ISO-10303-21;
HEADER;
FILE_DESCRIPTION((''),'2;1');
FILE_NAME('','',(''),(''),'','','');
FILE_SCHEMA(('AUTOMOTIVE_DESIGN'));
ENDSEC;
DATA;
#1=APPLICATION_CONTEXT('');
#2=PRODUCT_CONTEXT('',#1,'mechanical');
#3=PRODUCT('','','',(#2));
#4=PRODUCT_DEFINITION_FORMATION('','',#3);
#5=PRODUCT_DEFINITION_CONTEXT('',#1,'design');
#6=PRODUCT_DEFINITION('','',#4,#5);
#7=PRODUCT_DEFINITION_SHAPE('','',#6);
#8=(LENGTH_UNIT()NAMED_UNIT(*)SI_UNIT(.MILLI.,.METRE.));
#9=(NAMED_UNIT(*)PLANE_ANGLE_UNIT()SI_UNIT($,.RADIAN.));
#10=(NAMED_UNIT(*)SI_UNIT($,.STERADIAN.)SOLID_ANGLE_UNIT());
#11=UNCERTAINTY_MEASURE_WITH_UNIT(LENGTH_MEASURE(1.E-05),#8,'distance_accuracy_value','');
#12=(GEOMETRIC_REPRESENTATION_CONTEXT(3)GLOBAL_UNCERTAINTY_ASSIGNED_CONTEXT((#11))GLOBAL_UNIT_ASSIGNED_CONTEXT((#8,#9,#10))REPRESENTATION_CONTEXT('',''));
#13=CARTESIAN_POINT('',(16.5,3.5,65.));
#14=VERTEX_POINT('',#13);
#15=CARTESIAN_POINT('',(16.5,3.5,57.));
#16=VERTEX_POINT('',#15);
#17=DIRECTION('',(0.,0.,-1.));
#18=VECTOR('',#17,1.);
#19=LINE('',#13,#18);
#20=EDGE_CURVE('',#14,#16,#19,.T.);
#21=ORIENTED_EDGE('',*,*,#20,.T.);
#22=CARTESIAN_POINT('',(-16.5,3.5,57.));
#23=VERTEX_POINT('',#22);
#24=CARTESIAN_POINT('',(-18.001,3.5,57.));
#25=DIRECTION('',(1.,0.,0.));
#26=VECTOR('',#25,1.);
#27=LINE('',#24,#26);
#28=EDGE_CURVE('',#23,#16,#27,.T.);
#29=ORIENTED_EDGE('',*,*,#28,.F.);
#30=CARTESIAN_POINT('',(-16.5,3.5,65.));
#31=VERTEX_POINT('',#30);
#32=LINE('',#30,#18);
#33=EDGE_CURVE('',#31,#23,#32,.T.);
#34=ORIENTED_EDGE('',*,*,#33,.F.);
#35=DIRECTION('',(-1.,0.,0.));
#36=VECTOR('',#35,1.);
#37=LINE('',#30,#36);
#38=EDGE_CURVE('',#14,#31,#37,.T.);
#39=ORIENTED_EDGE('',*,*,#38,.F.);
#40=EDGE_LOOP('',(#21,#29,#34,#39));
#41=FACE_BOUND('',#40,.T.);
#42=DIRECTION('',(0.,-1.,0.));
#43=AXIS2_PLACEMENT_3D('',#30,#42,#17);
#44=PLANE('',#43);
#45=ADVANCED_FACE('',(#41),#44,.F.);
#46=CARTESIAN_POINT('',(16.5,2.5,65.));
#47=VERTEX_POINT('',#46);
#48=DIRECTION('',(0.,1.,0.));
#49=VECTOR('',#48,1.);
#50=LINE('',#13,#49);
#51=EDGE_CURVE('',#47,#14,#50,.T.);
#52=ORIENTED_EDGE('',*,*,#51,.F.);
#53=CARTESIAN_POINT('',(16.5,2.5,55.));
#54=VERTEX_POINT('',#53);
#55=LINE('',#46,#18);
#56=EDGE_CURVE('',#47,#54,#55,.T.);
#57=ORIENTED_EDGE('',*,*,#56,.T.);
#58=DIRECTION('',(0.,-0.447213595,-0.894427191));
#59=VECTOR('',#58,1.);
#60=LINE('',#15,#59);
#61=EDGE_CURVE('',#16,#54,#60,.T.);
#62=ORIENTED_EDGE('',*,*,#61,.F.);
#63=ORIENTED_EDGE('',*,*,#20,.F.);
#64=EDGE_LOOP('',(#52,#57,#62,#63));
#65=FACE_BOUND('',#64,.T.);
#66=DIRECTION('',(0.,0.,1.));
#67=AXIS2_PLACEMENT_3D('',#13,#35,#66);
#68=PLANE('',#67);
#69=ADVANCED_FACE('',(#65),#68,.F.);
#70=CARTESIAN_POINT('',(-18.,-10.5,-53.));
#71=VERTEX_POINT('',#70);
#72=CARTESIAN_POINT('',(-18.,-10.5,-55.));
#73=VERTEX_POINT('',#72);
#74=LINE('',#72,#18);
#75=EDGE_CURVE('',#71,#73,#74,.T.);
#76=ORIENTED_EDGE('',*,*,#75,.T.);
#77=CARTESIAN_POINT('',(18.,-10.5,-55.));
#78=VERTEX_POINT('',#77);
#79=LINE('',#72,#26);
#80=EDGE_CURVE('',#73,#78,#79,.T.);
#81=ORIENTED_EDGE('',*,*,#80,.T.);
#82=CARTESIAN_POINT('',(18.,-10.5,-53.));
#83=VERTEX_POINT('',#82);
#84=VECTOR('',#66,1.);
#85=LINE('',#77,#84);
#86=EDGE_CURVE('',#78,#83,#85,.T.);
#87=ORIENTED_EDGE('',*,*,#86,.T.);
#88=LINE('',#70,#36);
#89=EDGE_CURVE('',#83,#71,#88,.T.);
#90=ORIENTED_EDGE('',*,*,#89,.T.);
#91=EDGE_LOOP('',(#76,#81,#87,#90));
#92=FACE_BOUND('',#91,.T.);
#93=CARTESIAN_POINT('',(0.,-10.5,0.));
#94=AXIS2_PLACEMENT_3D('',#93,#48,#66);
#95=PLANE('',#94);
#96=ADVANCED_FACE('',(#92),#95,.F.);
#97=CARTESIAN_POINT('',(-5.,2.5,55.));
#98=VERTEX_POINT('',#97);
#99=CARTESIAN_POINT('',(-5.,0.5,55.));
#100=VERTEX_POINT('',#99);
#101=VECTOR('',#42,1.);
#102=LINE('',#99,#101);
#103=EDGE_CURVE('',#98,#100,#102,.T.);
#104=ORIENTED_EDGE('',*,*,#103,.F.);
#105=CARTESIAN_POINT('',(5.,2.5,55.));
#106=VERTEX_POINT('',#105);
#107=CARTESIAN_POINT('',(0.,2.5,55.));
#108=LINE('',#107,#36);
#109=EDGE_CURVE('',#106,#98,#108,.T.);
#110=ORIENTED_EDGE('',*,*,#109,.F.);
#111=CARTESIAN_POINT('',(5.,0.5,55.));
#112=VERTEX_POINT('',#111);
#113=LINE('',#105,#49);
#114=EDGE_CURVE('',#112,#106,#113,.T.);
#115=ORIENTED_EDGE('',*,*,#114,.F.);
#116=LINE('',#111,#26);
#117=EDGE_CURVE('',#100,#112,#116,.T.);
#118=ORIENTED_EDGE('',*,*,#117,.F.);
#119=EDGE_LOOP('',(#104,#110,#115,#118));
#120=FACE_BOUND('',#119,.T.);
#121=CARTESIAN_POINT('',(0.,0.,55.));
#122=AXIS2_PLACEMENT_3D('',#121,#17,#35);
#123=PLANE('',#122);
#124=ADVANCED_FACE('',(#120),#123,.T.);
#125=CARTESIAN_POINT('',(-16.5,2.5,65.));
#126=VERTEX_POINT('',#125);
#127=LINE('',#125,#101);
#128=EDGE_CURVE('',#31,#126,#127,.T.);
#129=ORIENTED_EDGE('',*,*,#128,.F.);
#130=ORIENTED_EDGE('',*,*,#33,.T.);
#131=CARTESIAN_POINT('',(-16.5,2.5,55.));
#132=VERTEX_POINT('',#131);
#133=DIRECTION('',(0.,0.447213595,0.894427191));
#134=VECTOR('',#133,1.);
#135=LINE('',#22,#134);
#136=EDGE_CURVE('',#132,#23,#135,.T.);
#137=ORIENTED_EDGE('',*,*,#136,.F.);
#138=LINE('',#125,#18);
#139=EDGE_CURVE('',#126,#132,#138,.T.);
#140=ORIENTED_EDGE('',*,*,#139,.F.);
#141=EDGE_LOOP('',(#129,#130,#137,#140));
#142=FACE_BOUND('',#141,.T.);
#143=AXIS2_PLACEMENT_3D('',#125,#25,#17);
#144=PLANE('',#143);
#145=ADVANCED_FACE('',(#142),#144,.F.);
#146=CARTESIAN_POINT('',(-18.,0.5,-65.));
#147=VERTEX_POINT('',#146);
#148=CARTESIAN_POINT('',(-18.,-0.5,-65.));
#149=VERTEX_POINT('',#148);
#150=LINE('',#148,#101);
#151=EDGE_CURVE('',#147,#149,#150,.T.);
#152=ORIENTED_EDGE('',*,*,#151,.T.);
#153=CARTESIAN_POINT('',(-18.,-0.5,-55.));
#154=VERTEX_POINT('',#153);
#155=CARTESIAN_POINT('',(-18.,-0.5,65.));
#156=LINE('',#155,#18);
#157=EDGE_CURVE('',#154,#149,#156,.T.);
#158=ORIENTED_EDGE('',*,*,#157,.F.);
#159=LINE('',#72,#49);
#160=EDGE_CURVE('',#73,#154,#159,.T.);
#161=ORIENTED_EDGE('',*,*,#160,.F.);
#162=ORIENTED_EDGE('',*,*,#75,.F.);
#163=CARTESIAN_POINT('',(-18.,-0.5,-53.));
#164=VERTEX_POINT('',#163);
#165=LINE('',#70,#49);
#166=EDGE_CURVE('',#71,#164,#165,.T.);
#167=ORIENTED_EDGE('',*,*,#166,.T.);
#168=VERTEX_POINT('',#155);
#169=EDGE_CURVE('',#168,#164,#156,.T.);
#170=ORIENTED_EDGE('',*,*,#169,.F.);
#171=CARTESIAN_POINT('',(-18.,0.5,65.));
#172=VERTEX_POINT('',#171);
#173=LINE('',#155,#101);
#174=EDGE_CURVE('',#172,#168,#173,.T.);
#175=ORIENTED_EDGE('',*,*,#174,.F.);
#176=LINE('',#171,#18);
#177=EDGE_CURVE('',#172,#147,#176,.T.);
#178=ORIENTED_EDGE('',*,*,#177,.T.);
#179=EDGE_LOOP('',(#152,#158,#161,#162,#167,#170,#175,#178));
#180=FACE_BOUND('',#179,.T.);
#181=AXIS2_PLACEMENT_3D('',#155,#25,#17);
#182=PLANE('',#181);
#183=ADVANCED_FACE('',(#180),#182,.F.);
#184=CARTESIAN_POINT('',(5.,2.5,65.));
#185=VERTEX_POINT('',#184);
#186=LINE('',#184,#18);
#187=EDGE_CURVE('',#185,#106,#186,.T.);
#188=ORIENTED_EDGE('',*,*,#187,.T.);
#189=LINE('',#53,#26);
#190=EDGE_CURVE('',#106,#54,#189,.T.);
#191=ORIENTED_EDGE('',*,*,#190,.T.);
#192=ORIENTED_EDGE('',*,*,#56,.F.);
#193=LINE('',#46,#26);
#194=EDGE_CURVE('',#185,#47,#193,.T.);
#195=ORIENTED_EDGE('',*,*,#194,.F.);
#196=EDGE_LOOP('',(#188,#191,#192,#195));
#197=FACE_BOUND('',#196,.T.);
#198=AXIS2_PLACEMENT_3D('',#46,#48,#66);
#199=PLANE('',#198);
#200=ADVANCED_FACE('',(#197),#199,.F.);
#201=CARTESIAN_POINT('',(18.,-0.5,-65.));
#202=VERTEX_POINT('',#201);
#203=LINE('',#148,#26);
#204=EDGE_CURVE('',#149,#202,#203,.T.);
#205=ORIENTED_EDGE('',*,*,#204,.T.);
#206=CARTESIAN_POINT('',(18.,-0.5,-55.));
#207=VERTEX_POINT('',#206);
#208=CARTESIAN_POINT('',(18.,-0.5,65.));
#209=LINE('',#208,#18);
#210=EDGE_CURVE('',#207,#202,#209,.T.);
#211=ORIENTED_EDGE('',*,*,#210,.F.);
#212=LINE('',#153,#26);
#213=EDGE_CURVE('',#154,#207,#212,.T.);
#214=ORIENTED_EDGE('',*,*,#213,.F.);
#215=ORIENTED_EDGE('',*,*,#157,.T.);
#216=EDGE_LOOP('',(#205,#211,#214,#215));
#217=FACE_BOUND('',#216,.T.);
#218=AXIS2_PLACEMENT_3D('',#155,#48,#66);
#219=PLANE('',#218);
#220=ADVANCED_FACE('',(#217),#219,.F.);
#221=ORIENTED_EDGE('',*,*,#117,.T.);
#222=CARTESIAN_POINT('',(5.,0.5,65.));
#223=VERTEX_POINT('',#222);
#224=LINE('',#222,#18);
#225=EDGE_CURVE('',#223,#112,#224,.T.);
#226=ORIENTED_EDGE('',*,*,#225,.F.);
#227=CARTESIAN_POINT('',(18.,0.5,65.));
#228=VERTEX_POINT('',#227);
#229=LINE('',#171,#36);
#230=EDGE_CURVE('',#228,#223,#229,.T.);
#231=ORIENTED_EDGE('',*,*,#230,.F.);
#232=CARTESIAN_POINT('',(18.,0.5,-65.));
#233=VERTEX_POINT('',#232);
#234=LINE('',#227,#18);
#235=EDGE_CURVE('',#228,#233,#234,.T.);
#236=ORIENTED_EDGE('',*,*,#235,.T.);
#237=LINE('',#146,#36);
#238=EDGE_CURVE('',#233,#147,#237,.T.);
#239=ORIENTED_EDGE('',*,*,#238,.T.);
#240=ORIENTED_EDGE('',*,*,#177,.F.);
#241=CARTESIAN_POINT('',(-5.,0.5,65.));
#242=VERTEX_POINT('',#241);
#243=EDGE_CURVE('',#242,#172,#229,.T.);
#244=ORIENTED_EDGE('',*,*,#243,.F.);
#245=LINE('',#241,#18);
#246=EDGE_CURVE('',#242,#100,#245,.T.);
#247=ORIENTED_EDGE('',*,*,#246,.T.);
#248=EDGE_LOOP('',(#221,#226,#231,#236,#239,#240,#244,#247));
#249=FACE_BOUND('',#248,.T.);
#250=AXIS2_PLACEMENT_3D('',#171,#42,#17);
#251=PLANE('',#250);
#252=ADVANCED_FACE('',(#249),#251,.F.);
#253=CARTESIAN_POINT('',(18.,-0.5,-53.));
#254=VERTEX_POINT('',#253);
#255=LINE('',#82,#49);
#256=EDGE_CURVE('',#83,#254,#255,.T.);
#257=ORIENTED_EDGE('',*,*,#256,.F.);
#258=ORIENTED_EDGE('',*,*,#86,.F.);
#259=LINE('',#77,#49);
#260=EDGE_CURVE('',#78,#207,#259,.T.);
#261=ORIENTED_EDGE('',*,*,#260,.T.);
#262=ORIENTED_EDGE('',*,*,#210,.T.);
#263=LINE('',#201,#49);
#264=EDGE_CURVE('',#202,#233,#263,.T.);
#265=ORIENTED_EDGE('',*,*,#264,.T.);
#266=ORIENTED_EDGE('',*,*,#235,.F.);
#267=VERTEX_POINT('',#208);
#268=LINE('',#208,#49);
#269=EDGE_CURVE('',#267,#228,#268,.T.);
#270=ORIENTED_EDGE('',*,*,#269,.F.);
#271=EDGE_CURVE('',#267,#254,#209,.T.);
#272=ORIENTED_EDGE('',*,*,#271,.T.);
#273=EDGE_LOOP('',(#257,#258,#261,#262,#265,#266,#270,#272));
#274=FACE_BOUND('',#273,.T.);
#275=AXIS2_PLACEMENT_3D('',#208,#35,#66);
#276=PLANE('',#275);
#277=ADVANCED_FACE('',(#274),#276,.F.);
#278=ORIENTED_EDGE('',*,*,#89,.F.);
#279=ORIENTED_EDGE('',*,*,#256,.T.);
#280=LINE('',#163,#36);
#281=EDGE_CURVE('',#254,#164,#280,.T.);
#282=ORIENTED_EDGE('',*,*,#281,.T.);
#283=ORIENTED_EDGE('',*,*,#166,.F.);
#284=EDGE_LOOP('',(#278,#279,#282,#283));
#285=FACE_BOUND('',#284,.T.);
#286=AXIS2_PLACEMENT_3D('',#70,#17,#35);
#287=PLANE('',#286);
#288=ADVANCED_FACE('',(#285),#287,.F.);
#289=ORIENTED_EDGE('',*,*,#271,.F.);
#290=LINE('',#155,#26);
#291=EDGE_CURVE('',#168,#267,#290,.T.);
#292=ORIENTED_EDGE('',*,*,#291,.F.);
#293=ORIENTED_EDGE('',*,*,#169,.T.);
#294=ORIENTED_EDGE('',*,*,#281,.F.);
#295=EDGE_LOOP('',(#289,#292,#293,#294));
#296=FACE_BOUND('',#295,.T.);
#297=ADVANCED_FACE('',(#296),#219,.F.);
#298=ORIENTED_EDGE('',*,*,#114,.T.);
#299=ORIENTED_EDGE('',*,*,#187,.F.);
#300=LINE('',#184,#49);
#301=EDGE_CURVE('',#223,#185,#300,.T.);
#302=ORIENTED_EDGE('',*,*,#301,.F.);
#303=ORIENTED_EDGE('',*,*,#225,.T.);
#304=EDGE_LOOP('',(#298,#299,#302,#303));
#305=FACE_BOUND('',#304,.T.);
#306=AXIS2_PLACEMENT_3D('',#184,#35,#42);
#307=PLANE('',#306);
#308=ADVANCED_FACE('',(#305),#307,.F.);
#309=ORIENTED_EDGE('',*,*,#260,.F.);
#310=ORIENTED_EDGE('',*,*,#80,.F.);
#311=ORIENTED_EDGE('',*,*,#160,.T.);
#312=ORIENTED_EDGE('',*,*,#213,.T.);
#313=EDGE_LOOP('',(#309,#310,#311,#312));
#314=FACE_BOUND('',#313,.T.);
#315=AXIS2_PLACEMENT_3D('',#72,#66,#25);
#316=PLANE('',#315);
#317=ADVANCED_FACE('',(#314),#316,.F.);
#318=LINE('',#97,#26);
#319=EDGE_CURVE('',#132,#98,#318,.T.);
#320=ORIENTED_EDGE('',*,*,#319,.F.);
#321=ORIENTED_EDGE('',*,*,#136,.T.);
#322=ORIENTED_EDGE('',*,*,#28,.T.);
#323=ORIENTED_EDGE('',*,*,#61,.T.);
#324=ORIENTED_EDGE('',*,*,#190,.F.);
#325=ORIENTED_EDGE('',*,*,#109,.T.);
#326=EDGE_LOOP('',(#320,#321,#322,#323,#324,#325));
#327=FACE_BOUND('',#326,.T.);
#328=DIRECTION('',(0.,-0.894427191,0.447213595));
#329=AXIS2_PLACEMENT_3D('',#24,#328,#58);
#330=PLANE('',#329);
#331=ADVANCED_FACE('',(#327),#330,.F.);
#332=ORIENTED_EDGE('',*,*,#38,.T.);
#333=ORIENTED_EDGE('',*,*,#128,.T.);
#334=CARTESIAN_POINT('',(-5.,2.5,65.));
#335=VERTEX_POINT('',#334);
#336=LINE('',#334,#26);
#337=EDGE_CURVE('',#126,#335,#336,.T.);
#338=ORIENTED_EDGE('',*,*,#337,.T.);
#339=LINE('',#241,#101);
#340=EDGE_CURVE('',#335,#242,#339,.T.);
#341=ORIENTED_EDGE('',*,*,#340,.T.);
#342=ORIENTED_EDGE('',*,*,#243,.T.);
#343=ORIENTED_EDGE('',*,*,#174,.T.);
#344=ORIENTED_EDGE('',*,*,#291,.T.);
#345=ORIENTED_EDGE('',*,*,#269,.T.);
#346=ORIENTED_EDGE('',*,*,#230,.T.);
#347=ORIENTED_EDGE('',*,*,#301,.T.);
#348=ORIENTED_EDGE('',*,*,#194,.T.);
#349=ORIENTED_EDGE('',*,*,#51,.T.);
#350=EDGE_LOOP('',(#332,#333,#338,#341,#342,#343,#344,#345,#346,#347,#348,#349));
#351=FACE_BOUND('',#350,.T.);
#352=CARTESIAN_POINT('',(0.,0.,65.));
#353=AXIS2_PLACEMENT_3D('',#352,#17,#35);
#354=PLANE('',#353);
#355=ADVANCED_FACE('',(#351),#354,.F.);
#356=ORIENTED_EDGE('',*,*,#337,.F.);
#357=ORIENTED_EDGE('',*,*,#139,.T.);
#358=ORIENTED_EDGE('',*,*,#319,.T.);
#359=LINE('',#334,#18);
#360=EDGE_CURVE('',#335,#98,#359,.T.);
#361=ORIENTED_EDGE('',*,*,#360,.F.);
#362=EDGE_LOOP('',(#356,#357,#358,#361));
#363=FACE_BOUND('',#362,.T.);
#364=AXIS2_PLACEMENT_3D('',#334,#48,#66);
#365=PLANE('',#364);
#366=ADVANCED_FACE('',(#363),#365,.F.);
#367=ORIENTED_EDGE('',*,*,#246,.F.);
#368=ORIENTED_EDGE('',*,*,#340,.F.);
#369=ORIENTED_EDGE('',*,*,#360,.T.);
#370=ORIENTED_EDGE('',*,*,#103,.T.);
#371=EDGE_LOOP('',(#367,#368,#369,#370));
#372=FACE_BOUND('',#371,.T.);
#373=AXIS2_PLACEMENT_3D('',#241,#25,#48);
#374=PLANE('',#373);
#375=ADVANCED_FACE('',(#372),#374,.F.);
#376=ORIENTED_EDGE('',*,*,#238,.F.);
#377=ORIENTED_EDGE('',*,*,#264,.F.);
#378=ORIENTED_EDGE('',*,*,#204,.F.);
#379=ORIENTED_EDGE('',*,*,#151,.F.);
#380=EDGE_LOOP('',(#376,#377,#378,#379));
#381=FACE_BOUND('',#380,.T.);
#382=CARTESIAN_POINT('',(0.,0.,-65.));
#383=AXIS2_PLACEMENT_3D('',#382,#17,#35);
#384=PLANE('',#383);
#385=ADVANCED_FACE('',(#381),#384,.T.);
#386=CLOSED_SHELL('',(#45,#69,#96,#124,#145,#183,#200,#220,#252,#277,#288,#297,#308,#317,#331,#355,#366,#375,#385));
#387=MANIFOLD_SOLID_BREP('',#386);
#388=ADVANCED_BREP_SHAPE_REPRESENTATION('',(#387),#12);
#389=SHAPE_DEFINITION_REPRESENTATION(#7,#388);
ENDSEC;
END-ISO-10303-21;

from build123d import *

# Parameters (mm, degrees)
SKETCH1_W           = 36
SKETCH1_H           = 1
BOSS_EXTRUDE1_DEPTH = 65
BOSS_EXTRUDE2_DEPTH = 5
SKETCH3_W           = 36
SKETCH3_H           = 2
BOSS_EXTRUDE3_DEPTH = 10
CUT_EXTRUDE1_REACH  = 76.334


with BuildPart() as part:
    # Sketch1 → Boss-Extrude1 (new, symmetric)
    with BuildSketch(Plane.XY):
        Rectangle(SKETCH1_W, SKETCH1_H)
    extrude(amount=BOSS_EXTRUDE1_DEPTH, both=True)

    # Sketch2 → Boss-Extrude2 (add, symmetric)
    with BuildSketch(Plane.XY.offset(60)):
        Polygon((-5, 0.5), (-5, 2.5), (-16.5, 2.5), (-16.5, 3.5), (16.5, 3.5), (16.5, 2.5), (5, 2.5), (5, 0.5), align=None)
    extrude(amount=BOSS_EXTRUDE2_DEPTH, both=True)

    # Sketch3 → Boss-Extrude3 (add)
    with BuildSketch(Plane.XZ.offset(0.5)):
        with Locations((0, -54)):
            Rectangle(SKETCH3_W, SKETCH3_H)
    extrude(amount=BOSS_EXTRUDE3_DEPTH)

    # Sketch4 → Cut-Extrude1 (cut, up to next)
    with BuildSketch(Plane(origin=(16.5, 0, 0), x_dir=(0, 0, -1), z_dir=(1, 0, 0)), mode=Mode.PRIVATE) as cut_extrude1_sk1:
        Polygon((-57, 3.5), (-55, 2.5), (-55, 3.5), align=None)
    cut_extrude1_tool1 = extrude(cut_extrude1_sk1.sketch, amount=-CUT_EXTRUDE1_REACH, mode=Mode.PRIVATE) & part.part
    add(cut_extrude1_tool1.solids().sort_by_distance((16.5, 3.166667, 55.666667))[0], mode=Mode.SUBTRACT)


solid = part.part
